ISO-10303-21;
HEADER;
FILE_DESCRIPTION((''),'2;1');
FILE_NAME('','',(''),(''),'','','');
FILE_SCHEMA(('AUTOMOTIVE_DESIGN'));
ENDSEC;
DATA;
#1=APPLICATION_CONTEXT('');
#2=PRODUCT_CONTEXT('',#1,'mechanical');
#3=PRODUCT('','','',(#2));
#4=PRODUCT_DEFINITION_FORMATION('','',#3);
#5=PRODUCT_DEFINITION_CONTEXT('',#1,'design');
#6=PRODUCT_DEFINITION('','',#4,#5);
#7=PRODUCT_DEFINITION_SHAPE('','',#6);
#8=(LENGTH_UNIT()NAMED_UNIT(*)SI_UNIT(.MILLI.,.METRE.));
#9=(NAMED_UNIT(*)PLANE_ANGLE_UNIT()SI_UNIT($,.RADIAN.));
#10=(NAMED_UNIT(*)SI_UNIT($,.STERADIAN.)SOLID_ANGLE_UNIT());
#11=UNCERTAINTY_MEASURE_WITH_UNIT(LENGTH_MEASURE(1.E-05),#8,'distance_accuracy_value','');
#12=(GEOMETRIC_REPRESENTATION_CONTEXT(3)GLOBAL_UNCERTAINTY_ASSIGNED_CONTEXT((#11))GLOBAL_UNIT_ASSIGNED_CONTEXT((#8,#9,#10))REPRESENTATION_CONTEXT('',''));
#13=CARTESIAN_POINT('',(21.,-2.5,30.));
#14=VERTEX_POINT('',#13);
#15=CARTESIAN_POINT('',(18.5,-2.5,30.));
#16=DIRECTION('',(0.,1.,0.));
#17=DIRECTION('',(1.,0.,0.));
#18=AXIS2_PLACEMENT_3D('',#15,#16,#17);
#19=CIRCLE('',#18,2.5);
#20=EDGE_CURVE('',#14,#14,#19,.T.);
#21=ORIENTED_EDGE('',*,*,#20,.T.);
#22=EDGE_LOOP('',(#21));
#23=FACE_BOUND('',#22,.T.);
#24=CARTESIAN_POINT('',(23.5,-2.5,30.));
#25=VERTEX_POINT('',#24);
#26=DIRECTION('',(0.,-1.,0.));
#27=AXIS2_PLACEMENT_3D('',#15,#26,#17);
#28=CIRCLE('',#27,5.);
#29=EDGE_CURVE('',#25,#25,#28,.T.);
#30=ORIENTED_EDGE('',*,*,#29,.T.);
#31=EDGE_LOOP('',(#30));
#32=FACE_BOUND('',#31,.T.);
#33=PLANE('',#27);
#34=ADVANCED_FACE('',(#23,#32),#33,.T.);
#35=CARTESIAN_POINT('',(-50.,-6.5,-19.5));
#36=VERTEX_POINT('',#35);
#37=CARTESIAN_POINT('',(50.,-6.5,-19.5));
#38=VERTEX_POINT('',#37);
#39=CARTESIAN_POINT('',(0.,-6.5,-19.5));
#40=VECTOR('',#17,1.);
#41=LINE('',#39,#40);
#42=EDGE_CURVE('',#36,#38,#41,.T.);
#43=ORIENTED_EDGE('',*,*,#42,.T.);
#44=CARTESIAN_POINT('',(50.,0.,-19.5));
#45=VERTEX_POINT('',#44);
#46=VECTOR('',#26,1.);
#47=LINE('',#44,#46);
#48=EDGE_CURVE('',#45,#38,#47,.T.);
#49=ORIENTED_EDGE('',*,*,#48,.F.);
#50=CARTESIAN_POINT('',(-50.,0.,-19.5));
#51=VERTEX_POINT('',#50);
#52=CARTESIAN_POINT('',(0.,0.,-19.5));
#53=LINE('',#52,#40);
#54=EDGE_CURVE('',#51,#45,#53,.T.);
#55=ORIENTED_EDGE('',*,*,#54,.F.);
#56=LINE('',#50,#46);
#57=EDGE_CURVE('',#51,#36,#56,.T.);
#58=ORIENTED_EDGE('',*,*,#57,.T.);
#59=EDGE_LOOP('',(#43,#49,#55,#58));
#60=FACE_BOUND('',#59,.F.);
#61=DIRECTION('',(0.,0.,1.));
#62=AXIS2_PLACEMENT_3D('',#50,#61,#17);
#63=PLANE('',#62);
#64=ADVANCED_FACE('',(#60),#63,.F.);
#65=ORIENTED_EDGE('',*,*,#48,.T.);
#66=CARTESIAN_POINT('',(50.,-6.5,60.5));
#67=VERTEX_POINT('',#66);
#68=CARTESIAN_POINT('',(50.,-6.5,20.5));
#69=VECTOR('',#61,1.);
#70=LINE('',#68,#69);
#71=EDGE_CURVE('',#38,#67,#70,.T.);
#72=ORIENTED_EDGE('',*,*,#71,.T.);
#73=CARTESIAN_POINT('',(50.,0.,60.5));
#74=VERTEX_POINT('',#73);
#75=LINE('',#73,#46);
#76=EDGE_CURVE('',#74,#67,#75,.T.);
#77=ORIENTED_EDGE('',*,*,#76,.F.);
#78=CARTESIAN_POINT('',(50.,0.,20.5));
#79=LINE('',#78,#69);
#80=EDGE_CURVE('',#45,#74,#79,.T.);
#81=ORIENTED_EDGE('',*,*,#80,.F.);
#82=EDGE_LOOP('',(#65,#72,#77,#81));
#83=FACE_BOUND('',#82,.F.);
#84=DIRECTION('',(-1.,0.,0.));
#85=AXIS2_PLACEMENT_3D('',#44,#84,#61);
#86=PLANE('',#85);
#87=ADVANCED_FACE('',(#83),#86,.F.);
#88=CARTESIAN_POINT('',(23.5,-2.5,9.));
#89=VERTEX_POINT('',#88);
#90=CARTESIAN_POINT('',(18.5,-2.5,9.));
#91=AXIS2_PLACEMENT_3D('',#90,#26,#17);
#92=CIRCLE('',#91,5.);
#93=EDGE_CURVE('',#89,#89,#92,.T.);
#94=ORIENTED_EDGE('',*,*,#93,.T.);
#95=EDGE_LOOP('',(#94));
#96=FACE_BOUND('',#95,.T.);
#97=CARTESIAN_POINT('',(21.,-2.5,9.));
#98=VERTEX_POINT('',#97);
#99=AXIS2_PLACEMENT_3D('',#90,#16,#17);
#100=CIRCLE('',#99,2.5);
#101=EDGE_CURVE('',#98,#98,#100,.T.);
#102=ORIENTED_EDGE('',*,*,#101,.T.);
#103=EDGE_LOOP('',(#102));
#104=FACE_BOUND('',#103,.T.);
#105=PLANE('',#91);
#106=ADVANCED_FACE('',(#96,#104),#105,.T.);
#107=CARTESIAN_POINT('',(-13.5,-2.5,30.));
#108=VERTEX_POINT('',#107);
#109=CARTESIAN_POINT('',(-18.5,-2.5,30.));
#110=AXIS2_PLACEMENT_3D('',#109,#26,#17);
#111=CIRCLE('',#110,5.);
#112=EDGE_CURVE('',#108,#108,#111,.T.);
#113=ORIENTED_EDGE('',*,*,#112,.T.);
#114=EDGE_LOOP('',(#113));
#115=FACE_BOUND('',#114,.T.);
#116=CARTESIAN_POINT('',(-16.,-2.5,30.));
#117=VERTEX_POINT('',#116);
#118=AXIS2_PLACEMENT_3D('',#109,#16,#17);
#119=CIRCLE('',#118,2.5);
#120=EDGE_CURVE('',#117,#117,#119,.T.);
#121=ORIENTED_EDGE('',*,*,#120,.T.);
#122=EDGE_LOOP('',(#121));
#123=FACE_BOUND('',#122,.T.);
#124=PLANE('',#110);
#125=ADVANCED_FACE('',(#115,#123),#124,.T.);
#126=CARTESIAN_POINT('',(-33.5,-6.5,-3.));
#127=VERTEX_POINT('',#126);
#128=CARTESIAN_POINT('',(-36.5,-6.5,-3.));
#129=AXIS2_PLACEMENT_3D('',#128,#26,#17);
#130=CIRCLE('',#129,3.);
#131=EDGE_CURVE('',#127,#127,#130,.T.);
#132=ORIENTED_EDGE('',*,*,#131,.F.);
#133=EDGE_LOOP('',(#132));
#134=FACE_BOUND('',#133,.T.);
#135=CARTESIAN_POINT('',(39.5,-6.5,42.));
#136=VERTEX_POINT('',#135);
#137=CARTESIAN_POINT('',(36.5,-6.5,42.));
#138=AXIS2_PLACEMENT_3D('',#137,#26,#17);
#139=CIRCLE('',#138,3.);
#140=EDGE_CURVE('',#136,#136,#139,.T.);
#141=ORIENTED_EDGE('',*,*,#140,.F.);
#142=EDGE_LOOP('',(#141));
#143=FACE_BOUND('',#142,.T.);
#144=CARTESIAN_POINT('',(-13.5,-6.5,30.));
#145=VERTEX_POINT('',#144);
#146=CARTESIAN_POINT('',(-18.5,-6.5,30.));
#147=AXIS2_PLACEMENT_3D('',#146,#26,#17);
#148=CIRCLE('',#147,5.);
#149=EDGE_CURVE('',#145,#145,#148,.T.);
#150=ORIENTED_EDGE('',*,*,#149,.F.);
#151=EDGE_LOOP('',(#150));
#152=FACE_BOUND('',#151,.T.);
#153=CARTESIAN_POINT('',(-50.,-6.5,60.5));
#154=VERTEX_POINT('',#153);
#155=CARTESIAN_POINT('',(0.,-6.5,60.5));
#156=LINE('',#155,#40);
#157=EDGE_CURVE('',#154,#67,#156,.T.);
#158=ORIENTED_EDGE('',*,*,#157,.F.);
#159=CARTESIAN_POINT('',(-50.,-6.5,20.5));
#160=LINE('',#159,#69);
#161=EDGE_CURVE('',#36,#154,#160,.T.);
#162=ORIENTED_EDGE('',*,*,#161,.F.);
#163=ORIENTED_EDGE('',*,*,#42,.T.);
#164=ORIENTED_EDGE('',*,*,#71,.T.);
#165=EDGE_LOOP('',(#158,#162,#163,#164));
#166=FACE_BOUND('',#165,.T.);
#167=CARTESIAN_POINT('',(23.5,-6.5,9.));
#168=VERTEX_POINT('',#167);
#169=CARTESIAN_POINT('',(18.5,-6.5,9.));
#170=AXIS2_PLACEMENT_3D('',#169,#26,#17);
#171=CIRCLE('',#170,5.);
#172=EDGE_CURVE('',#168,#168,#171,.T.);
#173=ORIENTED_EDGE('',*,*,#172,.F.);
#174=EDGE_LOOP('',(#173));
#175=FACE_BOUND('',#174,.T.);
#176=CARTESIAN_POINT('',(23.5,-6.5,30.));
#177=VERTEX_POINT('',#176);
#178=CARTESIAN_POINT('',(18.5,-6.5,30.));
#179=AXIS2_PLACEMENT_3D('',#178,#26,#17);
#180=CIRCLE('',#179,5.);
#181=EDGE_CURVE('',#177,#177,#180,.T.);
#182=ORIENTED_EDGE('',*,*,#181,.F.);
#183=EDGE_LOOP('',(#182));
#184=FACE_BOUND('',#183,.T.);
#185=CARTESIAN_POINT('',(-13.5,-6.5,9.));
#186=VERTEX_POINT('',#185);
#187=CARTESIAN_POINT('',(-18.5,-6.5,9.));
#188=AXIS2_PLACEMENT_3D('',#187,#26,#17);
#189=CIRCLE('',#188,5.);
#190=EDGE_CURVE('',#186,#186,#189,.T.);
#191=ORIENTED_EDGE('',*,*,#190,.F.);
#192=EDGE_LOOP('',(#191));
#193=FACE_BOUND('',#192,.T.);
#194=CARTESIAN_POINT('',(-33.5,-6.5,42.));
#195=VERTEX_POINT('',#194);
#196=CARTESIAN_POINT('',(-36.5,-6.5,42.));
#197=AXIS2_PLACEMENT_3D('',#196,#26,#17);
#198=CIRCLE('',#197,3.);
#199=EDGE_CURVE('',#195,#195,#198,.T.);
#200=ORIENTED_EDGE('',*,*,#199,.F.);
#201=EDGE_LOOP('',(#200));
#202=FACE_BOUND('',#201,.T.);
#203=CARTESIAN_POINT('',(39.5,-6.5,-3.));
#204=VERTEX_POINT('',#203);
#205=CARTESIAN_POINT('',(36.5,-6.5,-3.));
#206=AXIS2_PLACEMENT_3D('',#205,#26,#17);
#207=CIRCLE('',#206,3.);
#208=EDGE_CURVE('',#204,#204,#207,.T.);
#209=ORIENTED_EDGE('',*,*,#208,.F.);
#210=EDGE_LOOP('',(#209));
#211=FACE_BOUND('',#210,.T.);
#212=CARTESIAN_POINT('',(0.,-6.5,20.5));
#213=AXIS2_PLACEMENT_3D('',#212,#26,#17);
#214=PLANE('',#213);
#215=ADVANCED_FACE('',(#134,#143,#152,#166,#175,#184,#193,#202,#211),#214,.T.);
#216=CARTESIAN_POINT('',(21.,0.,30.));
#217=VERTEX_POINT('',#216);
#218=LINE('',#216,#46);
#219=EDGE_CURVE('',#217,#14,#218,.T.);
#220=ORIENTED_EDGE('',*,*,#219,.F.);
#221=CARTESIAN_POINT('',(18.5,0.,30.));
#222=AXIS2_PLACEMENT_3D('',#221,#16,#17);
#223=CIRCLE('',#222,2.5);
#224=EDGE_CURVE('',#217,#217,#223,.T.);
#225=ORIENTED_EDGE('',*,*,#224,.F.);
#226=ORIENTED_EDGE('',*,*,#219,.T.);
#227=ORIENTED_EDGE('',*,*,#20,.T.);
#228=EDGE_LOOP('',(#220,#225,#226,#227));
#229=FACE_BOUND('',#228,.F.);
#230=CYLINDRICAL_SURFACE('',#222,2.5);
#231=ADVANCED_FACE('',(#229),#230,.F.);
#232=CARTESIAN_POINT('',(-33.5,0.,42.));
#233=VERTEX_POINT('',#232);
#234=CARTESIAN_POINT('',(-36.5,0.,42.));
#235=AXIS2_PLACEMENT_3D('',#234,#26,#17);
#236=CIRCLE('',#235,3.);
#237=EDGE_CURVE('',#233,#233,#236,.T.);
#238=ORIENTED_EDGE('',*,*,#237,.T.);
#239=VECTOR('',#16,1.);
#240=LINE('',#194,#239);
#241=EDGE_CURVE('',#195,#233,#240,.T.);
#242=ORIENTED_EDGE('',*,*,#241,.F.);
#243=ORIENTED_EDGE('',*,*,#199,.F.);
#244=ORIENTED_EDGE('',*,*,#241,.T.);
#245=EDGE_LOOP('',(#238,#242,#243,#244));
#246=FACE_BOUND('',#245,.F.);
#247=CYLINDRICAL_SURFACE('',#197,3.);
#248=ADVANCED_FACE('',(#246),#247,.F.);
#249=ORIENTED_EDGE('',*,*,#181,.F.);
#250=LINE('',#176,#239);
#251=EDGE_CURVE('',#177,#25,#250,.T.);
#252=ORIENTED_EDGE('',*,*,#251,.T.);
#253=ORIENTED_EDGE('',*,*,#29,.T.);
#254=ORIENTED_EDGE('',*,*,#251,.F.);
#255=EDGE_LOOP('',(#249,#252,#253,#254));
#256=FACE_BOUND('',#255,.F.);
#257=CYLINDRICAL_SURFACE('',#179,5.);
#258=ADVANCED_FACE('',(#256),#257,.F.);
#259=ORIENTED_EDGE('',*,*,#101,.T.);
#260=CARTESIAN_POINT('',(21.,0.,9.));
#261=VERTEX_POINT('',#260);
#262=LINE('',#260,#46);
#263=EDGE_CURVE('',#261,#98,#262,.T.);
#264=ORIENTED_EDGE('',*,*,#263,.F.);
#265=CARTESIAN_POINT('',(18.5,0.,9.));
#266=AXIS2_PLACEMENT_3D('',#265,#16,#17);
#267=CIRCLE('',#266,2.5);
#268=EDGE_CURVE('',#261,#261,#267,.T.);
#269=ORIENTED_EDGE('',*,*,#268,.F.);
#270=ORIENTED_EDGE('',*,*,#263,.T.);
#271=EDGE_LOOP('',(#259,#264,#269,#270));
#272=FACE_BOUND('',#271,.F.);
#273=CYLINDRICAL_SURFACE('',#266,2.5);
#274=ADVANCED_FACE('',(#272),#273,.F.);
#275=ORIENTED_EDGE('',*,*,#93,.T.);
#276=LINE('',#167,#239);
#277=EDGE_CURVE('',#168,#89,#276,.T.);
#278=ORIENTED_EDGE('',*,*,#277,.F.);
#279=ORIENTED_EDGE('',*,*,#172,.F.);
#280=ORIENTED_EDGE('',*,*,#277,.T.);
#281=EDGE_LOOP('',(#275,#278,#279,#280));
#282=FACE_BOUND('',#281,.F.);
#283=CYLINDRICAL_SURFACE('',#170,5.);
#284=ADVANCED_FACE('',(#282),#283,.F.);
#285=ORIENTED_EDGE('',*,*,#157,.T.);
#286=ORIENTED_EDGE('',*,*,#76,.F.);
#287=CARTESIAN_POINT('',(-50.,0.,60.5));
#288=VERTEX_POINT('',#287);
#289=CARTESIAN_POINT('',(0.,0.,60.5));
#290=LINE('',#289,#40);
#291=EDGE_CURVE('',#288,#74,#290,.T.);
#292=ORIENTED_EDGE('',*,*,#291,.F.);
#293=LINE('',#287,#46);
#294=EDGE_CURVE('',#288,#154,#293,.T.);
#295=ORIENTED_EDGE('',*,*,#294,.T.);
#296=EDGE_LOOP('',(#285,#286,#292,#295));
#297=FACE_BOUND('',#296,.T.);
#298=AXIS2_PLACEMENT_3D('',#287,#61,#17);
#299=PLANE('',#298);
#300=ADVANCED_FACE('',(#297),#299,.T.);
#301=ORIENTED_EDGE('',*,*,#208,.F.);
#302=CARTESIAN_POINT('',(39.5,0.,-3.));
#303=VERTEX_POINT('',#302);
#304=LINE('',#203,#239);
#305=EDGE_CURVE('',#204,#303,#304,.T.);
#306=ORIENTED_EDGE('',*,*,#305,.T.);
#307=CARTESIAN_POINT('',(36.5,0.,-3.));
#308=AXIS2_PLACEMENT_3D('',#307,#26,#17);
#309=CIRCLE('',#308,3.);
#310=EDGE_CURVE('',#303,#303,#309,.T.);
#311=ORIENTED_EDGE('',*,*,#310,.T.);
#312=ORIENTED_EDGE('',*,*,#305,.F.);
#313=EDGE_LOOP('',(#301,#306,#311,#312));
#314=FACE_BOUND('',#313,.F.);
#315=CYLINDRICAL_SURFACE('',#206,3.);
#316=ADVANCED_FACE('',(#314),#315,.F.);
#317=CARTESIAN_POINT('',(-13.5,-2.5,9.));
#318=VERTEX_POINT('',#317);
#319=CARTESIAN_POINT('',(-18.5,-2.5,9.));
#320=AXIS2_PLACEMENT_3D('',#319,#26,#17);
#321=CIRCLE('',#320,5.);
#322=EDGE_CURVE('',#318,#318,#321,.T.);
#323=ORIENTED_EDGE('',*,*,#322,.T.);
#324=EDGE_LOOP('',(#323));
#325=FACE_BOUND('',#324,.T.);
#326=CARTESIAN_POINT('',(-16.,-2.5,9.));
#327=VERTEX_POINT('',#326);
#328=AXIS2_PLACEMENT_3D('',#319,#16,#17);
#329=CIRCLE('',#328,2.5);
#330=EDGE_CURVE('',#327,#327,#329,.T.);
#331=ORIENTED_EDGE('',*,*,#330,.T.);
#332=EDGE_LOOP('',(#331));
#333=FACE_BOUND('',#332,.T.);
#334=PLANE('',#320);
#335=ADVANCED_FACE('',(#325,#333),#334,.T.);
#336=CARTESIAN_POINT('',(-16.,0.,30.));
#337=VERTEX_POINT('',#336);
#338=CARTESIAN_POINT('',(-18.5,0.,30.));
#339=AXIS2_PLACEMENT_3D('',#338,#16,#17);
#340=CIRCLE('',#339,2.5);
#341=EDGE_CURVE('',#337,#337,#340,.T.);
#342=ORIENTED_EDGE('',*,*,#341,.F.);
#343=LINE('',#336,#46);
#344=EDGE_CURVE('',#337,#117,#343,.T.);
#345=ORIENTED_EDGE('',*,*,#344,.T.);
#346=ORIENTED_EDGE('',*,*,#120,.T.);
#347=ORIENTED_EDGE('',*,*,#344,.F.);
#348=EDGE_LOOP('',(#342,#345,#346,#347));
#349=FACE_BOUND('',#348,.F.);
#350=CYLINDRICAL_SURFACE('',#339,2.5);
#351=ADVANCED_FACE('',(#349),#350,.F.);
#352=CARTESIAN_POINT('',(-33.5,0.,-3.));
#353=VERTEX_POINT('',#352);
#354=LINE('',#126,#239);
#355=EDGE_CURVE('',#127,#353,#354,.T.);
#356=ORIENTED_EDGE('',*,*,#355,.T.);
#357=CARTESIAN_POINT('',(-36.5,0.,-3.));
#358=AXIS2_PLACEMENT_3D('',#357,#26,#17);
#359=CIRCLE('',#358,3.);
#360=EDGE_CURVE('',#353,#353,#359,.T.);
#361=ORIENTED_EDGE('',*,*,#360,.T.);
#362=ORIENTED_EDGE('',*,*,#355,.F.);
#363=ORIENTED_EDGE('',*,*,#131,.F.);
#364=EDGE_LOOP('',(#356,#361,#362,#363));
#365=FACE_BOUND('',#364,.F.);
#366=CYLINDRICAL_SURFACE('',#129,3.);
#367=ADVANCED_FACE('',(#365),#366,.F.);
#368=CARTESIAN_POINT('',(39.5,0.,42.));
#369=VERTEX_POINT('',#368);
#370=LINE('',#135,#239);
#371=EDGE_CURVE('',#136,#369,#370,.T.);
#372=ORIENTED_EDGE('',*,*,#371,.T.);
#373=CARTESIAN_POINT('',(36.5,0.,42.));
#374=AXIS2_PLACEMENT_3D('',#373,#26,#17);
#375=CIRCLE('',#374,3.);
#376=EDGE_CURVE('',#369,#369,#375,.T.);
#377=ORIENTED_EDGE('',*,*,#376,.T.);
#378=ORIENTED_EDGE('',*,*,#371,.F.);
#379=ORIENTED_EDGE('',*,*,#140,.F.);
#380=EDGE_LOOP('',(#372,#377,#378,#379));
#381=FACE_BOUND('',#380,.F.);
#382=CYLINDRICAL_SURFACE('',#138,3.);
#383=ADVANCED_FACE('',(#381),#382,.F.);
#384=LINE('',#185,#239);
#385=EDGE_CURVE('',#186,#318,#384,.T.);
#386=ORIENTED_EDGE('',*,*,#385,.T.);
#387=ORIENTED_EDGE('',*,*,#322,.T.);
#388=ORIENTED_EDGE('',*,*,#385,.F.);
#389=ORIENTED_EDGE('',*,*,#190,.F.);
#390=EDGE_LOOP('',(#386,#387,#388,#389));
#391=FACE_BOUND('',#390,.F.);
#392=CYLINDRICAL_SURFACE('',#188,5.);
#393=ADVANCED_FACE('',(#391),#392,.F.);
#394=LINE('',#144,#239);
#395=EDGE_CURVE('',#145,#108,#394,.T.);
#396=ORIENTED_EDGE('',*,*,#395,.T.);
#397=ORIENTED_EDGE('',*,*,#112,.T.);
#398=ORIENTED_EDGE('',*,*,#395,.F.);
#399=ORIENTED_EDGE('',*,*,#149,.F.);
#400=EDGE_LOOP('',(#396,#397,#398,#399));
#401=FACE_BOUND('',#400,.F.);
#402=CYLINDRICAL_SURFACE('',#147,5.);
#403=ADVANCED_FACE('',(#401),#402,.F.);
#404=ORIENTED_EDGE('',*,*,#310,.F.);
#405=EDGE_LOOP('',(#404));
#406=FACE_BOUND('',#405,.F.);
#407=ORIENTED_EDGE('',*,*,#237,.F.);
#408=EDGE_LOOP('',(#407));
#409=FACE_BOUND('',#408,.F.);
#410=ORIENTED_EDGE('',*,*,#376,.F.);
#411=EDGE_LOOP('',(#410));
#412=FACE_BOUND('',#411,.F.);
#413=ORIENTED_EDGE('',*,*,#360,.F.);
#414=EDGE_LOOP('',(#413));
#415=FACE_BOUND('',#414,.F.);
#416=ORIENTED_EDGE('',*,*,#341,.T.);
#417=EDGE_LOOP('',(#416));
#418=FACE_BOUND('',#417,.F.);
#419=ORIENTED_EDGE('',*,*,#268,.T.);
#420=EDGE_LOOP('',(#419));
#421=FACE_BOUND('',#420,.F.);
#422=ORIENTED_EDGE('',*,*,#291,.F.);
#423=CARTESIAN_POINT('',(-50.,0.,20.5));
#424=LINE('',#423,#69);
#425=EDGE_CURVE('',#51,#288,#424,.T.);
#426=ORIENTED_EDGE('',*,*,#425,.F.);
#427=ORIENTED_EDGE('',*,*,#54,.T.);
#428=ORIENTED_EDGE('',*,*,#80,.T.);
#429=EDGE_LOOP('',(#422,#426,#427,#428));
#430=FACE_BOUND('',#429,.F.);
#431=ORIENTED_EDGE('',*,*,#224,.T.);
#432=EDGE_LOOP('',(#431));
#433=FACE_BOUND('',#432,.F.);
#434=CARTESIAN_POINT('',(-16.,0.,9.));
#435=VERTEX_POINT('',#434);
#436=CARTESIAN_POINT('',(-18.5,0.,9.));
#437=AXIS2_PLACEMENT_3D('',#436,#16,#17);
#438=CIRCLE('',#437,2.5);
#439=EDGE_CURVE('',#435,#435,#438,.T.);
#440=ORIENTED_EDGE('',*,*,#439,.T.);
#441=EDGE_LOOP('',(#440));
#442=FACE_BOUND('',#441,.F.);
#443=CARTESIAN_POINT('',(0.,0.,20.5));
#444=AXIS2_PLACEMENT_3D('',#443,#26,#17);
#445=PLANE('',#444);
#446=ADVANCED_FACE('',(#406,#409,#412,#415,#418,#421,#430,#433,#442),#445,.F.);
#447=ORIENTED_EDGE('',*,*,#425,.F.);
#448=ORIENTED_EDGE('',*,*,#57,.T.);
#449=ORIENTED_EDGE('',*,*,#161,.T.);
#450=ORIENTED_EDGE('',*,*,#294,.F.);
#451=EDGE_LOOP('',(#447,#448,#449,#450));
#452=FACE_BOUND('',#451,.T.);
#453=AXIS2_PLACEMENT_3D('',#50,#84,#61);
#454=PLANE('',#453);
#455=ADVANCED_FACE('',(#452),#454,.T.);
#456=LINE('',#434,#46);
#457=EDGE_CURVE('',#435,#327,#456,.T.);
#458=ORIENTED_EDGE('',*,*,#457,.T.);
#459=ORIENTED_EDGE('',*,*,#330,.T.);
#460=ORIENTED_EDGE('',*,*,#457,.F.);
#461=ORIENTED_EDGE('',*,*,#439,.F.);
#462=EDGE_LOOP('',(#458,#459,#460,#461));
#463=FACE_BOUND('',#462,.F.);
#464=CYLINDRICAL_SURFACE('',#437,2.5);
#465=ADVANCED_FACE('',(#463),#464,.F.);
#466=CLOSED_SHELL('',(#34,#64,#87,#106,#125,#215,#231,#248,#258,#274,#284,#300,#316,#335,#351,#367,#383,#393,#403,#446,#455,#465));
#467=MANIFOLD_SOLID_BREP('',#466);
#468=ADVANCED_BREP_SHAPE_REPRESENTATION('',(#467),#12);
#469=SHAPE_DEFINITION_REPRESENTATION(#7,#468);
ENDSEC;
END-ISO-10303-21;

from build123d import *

# Parameters (mm, degrees)
SKETCH001_W     = 100
SKETCH001_H     = 80
PAD_DEPTH       = 6.5
SKETCH004_R     = 2.5
POCKET_DEPTH    = 10
SKETCH_R        = 5
POCKET001_DEPTH = 4
SKETCH005_R     = 3
POCKET002_DEPTH = 10


with BuildPart() as part:
    # Sketch001 → Pad (new body)
    with BuildSketch(Plane.XZ):
        with Locations((0, 20.5)):
            Rectangle(SKETCH001_W, SKETCH001_H)
    extrude(amount=PAD_DEPTH)

    # Sketch004 → Pocket (cut)
    with BuildSketch(Plane(origin=(0, 0, 0), x_dir=(1, 0, 0), z_dir=(0, 1, 0))):
        with Locations((-18.5, -9)):
            Circle(SKETCH004_R)
        with Locations((18.5, -9)):
            Circle(SKETCH004_R)
        with Locations((-18.5, -30)):
            Circle(SKETCH004_R)
        with Locations((18.5, -30)):
            Circle(SKETCH004_R)
    extrude(amount=-POCKET_DEPTH, mode=Mode.SUBTRACT)

    # Sketch → Pocket001 (cut)
    with BuildSketch(Plane.XZ.offset(6.5)):
        with Locations((18.5, 9)):
            Circle(SKETCH_R)
        with Locations((18.5, 30)):
            Circle(SKETCH_R)
        with Locations((-18.5, 9)):
            Circle(SKETCH_R)
        with Locations((-18.5, 30)):
            Circle(SKETCH_R)
    extrude(amount=-POCKET001_DEPTH, mode=Mode.SUBTRACT)

    # Sketch005 → Pocket002 (cut)
    with BuildSketch(Plane.XZ.offset(6.5)):
        with Locations((36.5, -3)):
            Circle(SKETCH005_R)
        with Locations((36.5, 42)):
            Circle(SKETCH005_R)
        with Locations((-36.5, -3)):
            Circle(SKETCH005_R)
        with Locations((-36.5, 42)):
            Circle(SKETCH005_R)
    extrude(amount=-POCKET002_DEPTH, mode=Mode.SUBTRACT)


solid = part.part
